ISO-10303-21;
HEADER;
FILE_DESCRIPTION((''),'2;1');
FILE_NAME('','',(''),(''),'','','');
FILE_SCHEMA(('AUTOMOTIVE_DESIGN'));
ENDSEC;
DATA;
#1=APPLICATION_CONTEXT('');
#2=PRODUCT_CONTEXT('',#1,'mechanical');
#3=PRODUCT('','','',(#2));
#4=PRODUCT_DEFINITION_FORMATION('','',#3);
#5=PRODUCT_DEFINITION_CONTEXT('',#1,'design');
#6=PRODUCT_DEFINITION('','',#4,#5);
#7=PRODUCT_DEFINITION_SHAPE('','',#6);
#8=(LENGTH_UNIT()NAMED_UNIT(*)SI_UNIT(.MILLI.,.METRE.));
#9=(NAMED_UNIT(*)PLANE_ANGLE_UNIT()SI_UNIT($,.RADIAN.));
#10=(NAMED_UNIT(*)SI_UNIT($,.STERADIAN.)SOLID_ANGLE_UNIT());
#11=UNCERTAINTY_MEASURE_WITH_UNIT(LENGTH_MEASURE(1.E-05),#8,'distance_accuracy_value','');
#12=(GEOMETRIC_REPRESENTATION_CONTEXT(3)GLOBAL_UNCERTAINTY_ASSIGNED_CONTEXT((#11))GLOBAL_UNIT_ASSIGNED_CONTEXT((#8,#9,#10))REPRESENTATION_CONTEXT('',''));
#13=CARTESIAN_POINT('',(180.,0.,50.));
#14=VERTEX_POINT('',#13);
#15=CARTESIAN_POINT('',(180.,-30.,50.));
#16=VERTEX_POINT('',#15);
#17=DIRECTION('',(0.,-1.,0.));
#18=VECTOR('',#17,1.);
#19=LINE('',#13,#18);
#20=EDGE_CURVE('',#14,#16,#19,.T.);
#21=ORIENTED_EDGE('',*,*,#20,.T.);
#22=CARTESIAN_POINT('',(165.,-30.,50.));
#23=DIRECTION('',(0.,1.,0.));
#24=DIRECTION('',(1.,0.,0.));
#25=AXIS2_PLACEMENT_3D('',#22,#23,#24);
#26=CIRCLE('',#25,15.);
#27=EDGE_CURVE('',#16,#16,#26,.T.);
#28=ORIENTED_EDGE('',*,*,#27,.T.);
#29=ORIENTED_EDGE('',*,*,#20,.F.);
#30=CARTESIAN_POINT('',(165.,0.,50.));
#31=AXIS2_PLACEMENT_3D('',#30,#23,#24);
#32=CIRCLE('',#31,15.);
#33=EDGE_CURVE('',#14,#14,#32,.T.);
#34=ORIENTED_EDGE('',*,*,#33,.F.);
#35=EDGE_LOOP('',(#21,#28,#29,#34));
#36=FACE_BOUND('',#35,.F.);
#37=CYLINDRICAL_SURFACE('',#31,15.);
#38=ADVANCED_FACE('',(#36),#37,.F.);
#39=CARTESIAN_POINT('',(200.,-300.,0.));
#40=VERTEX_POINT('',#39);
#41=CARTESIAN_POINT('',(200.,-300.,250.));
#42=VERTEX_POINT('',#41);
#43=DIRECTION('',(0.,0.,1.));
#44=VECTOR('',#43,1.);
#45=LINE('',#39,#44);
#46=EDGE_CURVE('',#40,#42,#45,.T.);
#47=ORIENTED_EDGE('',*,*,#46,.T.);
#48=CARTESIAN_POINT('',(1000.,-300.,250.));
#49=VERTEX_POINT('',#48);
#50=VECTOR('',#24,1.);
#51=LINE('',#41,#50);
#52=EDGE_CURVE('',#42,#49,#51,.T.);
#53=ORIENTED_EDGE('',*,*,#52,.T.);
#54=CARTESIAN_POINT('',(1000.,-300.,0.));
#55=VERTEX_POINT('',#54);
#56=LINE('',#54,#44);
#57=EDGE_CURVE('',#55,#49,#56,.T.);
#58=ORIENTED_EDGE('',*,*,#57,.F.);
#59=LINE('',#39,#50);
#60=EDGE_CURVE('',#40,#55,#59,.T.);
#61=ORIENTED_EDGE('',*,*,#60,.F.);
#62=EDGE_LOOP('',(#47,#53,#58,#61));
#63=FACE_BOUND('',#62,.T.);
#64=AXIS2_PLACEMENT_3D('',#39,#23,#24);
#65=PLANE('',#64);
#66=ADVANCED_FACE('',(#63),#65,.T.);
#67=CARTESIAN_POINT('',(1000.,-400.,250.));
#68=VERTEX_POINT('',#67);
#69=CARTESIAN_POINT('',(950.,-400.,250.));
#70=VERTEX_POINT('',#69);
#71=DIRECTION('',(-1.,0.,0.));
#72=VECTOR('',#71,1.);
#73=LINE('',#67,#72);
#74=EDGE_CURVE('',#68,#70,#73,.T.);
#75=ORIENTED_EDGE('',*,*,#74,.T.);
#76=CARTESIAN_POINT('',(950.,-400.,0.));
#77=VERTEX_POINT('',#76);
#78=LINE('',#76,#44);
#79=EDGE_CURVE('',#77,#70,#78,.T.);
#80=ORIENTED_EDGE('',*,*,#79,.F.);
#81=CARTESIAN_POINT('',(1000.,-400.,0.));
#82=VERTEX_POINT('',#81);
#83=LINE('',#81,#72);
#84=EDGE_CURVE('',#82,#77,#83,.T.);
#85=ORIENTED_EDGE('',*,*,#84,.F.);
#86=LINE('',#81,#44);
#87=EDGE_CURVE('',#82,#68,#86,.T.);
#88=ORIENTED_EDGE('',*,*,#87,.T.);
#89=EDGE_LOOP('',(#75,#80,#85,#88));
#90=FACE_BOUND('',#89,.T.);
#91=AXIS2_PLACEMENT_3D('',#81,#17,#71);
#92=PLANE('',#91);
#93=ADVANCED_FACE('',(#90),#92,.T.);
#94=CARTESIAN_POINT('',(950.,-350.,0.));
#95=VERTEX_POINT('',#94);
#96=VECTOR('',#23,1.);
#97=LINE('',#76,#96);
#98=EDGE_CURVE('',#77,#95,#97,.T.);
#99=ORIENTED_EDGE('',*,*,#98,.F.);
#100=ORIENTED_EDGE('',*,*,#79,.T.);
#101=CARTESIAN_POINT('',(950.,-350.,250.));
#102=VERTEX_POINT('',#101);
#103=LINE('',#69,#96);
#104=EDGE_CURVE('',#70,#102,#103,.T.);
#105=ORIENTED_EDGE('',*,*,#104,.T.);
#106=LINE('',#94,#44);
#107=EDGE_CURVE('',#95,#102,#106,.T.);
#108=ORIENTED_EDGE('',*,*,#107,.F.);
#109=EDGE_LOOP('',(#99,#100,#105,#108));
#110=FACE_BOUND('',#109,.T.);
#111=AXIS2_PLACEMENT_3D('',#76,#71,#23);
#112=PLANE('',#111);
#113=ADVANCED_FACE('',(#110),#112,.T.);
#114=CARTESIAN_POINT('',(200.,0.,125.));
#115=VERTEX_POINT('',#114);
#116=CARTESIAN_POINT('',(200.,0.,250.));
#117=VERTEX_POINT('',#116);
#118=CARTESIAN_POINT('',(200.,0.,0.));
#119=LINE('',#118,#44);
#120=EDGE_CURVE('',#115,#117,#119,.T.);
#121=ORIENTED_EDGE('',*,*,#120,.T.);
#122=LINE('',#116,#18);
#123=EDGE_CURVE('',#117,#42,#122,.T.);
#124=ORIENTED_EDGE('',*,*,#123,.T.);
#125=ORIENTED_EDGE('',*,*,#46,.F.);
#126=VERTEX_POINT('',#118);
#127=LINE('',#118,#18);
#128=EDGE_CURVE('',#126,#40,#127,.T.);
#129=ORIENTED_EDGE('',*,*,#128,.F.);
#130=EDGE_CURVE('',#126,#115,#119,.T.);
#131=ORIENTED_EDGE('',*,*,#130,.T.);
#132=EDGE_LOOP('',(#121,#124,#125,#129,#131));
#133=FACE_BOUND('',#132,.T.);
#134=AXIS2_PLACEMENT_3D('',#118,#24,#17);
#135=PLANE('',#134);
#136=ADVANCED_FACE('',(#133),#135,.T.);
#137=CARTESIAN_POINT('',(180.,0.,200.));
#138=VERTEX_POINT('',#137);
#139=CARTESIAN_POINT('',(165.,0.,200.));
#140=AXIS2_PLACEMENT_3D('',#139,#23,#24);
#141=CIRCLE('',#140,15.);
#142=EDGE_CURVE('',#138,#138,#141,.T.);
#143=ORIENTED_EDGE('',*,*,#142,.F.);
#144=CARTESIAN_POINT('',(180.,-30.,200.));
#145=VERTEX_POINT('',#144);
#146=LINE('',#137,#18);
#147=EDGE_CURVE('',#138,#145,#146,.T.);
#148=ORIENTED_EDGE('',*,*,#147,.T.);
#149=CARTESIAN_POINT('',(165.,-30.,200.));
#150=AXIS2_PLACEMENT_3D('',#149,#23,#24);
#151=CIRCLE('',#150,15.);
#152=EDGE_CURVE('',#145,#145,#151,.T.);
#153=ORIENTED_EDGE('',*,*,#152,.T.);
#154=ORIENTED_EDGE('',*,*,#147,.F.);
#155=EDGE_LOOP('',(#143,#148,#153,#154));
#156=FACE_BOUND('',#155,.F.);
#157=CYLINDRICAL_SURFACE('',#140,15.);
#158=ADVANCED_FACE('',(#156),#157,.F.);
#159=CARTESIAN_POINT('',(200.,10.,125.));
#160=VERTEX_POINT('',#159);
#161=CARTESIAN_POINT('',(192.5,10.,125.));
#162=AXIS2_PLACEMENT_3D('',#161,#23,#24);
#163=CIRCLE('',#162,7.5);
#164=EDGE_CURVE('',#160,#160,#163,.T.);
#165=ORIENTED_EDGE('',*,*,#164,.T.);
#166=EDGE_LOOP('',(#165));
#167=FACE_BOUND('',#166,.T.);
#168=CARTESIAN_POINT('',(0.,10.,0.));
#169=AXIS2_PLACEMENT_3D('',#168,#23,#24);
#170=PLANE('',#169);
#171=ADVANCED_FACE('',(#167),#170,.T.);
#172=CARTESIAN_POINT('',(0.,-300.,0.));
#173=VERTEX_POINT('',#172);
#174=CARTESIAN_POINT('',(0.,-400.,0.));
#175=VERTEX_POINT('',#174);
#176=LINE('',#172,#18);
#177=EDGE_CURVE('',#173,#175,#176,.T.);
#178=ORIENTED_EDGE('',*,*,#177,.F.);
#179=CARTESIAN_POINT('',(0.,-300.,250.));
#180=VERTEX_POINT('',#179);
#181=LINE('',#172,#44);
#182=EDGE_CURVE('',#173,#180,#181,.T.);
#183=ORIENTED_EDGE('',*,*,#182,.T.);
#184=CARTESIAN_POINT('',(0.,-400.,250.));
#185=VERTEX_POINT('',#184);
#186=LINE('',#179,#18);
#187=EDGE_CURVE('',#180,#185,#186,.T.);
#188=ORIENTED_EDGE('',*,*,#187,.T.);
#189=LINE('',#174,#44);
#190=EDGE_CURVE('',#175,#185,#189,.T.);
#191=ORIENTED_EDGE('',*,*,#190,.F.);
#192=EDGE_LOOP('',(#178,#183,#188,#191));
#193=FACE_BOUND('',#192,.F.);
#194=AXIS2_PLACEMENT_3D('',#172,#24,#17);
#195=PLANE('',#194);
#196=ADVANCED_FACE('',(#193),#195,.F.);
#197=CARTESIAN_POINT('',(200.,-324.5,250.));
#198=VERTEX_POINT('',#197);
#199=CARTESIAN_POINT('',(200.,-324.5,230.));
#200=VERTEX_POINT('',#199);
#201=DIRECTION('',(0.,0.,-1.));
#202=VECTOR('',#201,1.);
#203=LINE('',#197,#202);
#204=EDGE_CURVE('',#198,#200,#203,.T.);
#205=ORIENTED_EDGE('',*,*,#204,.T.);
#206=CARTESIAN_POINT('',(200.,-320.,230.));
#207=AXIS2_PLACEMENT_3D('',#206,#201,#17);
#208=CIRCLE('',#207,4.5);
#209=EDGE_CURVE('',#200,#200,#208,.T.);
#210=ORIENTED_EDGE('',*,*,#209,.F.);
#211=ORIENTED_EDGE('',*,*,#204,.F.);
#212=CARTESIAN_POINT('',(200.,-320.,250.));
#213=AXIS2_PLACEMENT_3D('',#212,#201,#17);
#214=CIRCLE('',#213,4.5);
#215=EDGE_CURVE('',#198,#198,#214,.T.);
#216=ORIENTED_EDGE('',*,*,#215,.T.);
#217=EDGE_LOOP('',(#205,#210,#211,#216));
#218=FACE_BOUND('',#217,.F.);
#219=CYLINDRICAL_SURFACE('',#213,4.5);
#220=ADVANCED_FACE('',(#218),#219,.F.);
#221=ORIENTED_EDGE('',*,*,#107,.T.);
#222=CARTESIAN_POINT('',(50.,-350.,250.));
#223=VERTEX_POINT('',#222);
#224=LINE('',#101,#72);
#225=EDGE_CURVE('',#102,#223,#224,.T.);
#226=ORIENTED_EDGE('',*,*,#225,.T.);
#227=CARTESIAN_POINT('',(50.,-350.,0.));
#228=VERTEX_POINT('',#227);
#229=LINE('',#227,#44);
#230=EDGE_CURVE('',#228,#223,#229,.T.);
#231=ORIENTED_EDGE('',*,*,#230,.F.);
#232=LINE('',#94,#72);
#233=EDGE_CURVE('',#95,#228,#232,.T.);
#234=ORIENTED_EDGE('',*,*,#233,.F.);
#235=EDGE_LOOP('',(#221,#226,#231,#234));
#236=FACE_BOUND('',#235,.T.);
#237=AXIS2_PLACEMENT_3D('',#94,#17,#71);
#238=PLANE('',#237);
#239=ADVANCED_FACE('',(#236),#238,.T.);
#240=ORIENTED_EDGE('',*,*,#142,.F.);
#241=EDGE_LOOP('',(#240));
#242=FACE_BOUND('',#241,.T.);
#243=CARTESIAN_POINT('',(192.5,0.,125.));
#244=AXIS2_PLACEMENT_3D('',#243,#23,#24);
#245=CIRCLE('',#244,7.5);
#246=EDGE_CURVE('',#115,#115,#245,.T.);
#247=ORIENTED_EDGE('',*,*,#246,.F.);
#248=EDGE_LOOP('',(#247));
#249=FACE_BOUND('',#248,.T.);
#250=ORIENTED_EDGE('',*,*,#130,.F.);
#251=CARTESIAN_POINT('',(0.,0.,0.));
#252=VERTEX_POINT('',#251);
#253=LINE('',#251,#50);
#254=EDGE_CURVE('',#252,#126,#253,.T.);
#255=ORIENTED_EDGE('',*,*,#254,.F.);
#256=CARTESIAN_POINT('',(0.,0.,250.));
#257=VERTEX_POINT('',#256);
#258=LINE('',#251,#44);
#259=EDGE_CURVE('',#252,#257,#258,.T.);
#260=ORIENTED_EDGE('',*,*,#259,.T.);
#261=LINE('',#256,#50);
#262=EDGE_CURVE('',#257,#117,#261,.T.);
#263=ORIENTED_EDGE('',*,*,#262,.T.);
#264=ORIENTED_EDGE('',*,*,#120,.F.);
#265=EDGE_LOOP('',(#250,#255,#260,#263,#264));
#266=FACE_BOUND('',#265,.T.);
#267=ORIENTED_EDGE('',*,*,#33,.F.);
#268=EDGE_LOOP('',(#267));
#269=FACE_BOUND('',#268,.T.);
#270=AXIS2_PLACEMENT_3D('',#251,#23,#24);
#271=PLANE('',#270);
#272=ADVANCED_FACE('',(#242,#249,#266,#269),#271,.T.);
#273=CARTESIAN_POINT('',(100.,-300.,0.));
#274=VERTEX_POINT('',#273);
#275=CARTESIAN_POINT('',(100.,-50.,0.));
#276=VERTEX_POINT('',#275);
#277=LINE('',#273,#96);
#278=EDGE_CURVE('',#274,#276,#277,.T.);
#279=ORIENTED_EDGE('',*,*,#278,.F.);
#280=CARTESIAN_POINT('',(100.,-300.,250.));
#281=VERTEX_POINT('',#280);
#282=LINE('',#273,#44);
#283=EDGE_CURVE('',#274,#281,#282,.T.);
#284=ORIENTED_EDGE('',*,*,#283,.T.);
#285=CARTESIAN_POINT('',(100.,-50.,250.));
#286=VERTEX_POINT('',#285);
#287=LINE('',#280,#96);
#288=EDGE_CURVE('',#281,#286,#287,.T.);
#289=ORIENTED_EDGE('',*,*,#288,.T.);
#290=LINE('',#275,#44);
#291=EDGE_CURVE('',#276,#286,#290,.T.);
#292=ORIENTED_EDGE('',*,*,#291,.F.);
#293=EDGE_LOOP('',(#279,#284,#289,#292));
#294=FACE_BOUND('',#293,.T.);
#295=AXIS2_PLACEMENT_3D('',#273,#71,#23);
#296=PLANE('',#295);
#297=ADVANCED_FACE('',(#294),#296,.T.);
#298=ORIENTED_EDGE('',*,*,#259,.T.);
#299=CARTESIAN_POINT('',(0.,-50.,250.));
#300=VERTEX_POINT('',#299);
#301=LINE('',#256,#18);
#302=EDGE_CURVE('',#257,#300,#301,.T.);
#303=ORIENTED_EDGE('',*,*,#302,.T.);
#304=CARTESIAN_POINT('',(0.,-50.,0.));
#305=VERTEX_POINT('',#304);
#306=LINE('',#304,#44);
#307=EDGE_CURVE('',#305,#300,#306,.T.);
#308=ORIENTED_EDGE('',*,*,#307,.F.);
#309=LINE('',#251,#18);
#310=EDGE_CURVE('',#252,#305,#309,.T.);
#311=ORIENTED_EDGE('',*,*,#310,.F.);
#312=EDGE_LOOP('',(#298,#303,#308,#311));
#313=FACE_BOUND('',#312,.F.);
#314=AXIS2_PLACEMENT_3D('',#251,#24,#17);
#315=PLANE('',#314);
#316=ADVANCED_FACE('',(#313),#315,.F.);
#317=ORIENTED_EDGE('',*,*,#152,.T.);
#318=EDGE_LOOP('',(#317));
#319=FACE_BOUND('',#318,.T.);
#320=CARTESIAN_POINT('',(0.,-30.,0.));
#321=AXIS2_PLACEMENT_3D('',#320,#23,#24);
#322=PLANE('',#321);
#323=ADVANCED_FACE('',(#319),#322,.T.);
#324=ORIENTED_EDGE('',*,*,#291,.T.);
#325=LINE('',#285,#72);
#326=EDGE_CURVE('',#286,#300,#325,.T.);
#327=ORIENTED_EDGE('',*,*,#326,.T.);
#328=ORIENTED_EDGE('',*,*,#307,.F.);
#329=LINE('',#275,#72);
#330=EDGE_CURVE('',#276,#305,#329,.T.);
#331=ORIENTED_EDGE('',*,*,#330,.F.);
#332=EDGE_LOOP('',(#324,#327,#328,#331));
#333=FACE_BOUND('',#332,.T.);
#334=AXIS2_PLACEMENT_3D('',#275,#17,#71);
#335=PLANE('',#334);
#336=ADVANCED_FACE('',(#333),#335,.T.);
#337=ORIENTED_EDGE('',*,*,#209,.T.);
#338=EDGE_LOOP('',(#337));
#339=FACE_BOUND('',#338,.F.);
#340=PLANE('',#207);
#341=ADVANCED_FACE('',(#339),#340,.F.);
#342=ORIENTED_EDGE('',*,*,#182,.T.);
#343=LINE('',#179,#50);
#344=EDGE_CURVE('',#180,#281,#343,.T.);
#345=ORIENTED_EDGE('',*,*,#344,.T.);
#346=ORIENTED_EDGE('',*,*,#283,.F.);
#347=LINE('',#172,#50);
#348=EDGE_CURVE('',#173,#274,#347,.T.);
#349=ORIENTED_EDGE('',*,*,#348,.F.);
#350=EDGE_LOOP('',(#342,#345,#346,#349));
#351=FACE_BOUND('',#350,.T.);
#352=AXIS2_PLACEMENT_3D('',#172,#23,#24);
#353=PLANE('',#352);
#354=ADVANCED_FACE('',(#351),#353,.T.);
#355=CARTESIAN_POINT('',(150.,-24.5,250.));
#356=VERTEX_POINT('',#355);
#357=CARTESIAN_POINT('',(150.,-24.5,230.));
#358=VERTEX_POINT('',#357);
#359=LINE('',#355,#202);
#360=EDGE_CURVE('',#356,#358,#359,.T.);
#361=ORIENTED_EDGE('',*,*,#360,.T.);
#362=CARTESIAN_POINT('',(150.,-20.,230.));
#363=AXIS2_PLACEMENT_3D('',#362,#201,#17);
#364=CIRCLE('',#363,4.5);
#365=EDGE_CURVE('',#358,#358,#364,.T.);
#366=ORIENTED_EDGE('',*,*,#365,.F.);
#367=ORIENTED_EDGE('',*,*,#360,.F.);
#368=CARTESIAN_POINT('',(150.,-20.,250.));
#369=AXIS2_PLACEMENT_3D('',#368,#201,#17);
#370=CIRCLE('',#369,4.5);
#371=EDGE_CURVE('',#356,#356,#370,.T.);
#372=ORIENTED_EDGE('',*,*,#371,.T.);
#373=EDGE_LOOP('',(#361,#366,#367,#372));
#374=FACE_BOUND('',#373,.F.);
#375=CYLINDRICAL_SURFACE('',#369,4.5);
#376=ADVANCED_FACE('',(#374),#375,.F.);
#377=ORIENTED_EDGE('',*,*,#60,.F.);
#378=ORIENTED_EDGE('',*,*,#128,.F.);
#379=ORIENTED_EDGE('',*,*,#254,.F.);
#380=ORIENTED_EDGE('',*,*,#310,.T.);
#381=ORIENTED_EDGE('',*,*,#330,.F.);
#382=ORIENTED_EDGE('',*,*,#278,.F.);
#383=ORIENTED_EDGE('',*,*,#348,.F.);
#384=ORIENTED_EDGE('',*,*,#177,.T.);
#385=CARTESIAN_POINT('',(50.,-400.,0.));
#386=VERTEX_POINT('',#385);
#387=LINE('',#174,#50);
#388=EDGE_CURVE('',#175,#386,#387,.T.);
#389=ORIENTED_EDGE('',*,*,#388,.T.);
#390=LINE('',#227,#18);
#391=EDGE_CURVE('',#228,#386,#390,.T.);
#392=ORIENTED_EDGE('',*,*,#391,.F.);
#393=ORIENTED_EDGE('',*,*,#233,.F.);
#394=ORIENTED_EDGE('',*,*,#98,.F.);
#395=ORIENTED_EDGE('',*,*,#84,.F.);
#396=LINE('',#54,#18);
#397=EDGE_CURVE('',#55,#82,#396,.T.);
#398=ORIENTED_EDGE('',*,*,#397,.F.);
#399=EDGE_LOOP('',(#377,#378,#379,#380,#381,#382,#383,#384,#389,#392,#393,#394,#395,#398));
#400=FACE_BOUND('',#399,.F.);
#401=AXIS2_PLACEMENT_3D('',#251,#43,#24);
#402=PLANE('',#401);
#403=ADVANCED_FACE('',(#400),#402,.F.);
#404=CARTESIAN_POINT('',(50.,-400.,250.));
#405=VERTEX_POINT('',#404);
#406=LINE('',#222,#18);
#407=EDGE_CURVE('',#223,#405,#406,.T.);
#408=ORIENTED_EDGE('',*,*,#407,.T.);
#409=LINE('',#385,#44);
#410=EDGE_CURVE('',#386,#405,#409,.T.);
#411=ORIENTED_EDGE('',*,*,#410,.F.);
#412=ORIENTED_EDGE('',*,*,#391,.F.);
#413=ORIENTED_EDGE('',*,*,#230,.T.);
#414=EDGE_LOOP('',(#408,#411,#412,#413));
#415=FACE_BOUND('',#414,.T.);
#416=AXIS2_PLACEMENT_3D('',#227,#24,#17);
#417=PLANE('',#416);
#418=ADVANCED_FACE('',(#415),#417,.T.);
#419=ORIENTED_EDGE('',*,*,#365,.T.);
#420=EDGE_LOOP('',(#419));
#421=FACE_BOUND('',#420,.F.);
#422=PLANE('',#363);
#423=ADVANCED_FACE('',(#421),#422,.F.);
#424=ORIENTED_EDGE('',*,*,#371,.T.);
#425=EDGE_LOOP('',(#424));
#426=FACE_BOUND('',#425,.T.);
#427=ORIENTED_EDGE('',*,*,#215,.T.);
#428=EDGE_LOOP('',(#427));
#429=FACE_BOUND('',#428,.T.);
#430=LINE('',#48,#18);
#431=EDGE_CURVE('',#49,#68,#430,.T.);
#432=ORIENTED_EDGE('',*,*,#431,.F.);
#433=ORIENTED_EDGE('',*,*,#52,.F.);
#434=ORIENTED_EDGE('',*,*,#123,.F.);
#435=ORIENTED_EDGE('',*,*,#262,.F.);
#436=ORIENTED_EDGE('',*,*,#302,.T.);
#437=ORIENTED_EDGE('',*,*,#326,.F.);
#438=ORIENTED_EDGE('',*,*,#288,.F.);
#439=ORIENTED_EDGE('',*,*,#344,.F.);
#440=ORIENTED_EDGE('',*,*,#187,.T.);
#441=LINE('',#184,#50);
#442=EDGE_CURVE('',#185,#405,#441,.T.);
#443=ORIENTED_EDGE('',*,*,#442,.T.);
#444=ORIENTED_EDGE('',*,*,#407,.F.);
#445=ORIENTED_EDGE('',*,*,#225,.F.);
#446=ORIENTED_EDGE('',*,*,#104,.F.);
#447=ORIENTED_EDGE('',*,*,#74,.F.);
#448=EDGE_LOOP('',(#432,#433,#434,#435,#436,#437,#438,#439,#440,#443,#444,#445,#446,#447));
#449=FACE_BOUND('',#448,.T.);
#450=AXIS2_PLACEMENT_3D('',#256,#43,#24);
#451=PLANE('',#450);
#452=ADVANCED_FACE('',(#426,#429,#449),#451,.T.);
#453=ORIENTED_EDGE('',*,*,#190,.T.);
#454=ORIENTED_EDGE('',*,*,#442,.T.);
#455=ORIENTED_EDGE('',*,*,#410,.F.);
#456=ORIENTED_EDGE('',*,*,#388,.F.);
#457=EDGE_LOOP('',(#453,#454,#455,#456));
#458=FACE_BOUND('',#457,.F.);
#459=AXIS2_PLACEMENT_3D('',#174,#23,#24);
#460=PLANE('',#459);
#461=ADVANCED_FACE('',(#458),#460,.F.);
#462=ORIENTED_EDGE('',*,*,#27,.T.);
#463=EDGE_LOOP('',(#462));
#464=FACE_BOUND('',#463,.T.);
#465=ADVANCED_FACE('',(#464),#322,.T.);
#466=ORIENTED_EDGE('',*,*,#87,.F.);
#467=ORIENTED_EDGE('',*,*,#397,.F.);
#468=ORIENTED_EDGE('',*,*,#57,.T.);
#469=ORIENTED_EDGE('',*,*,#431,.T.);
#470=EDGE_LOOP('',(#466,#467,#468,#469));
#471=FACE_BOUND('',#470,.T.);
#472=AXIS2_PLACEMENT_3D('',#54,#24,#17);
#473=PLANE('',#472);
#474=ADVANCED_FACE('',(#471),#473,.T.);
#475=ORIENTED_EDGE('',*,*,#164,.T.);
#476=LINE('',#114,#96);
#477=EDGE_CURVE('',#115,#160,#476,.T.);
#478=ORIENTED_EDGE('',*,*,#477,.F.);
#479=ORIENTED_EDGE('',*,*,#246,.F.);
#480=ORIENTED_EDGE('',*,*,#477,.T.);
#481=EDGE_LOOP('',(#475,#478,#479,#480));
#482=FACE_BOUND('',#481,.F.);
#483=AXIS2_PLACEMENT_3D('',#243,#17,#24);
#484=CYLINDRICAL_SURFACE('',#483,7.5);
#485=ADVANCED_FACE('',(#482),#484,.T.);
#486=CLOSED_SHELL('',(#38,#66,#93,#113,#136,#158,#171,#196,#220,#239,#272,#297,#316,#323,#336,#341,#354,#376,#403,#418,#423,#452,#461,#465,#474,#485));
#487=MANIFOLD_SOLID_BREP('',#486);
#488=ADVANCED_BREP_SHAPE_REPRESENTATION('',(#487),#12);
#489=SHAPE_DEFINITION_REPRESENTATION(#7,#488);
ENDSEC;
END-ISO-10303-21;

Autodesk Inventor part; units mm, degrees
ref_plane "YZ Plane" through (0, 0, 0) normal (1, 0, 0) x (0, 1, 0)
ref_plane "XZ Plane" through (0, 0, 0) normal (0, 1, 0) x (-1, 0, 0)
ref_plane "XY Plane" through (0, 0, 0) normal (0, 0, 1) x (1, 0, 0)
sketch "Sketch1" plane through (0, 0, 0) normal (0, 0, 1) x (1, 0, 0)
  line L0 (0, 0) -> (200, 0)
  line L1 (200, 0) -> (200, -300)
  line L2 (200, -300) -> (1000, -300)
  line L3 (1000, -300) -> (1000, -400)
  line L4 (1000, -400) -> (950, -400)
  line L5 (950, -400) -> (950, -350)
  line L6 (950, -350) -> (50, -350)
  line L7 (50, -350) -> (50, -400)
  line L8 (0, -400) -> (50, -400)
  line L9 (950, -400) -> (1000, -400)
  line L10 (0, -300) -> (100, -300)
  line L11 (100, -300) -> (100, -50)
  line L12 (100, -50) -> (0, -50)
  line L13 (0, 0) -> (0, -50)
  line L14 (0, -300) -> (0, -400)
  dimension "d0" = 200
  dimension "d1" = 300
  dimension "d2" = 800
  dimension "d3" = 100
  dimension "d41" = 50
  dimension "d42" = 900
  dimension "d43" = 100
  dimension "d44" = 250
extrude "Extrusion1" add sketch "Sketch1" along normal blind 250
sketch "Sketch2" plane through (0, 0, 0) normal (0, 1, 0) x (1, 0, 0)
  line L0 (200, 0) -> (0, 0) projected
  line L1 (200, 0) -> (150, 0)
  line L2 (200, -250) -> (0, -250) projected
  line L3 (200, -250) -> (150, -250)
  circle A0 centre (165, -50) radius 15
  circle A1 centre (165, -200) radius 15
  line L4 (200, 0) -> (200, -250) projected
  dimension "d9" = 50
  dimension "d11" = 30
  dimension "d12" = 30
  dimension "d36" = 35
  dimension "d37" = 35
  dimension "d49" = 150
sketch "Sketch4" plane through (0, 0, 0) normal (0, 1, 0) x (1, 0, 0)
  line L0 (200, 0) -> (200, -250) projected
  line L1 (200, -125) -> (192.5, -125)
  circle A0 centre (192.5, -125) radius 7.5
  point P0 (0, 0)
  dimension "d38" = 7.5
extrude "Extrusion7" add sketch "Sketch4" along normal blind 10
extrude "Extrusion8" cut sketch "Sketch2" against normal blind 30
sketch "Sketch6" plane through (0, 0, 250) normal (0, 0, 1) x (1, 0, 0)
  line L0 (100, -50) -> (100, -300) projected
  line L1 (100, -300) -> (0, -300) projected
  line L2 (0, -300) -> (0, -400) projected
  line L3 (0, -400) -> (50, -400) projected
  line L4 (50, -400) -> (50, -350) projected
  line L5 (50, -350) -> (950, -350) projected
  line L6 (950, -350) -> (950, -400) projected
  line L7 (950, -400) -> (1000, -400) projected
  line L8 (1000, -400) -> (1000, -300) projected
  line L9 (1000, -300) -> (200, -300) projected
  line L10 (200, -300) -> (200, 0) projected
  line L11 (200, 0) -> (0, 0) projected
  line L12 (0, 0) -> (0, -50) projected
  line L13 (0, -50) -> (100, -50) projected
  line L14 (200, -400) -> (200, -320)
  line L15 (200, -400) -> (215.7164, -400)
  line L16 (215.7164, -400) -> (915.7164, -400)
  line L17 (915.7164, -400) -> (915.7164, -330)
  circle A0 centre (915.7164, -330) radius 10.5844
  line L18 (200, 0) -> (150, 0)
  line L19 (200, 0) -> (0, 0) projected
  line L20 (150, 0) -> (150, -20)
  circle A1 centre (150, -20) radius 3
  dimension "d40" = 0
  dimension "d50" = 80
  dimension "d51" = 700
  dimension "d52" = 70
  dimension "d53" = 50
  dimension "d54" = 20
  dimension "d55" = 6
hole "Hole2" at (150, -20, 250) direction (0, 0, -1) diameter 9 depth 20
hole "Hole3" at (200, -320, 250) direction (0, 0, -1) diameter 9 depth 20
properties part number "Platform" material "Wood (Walnut)"
